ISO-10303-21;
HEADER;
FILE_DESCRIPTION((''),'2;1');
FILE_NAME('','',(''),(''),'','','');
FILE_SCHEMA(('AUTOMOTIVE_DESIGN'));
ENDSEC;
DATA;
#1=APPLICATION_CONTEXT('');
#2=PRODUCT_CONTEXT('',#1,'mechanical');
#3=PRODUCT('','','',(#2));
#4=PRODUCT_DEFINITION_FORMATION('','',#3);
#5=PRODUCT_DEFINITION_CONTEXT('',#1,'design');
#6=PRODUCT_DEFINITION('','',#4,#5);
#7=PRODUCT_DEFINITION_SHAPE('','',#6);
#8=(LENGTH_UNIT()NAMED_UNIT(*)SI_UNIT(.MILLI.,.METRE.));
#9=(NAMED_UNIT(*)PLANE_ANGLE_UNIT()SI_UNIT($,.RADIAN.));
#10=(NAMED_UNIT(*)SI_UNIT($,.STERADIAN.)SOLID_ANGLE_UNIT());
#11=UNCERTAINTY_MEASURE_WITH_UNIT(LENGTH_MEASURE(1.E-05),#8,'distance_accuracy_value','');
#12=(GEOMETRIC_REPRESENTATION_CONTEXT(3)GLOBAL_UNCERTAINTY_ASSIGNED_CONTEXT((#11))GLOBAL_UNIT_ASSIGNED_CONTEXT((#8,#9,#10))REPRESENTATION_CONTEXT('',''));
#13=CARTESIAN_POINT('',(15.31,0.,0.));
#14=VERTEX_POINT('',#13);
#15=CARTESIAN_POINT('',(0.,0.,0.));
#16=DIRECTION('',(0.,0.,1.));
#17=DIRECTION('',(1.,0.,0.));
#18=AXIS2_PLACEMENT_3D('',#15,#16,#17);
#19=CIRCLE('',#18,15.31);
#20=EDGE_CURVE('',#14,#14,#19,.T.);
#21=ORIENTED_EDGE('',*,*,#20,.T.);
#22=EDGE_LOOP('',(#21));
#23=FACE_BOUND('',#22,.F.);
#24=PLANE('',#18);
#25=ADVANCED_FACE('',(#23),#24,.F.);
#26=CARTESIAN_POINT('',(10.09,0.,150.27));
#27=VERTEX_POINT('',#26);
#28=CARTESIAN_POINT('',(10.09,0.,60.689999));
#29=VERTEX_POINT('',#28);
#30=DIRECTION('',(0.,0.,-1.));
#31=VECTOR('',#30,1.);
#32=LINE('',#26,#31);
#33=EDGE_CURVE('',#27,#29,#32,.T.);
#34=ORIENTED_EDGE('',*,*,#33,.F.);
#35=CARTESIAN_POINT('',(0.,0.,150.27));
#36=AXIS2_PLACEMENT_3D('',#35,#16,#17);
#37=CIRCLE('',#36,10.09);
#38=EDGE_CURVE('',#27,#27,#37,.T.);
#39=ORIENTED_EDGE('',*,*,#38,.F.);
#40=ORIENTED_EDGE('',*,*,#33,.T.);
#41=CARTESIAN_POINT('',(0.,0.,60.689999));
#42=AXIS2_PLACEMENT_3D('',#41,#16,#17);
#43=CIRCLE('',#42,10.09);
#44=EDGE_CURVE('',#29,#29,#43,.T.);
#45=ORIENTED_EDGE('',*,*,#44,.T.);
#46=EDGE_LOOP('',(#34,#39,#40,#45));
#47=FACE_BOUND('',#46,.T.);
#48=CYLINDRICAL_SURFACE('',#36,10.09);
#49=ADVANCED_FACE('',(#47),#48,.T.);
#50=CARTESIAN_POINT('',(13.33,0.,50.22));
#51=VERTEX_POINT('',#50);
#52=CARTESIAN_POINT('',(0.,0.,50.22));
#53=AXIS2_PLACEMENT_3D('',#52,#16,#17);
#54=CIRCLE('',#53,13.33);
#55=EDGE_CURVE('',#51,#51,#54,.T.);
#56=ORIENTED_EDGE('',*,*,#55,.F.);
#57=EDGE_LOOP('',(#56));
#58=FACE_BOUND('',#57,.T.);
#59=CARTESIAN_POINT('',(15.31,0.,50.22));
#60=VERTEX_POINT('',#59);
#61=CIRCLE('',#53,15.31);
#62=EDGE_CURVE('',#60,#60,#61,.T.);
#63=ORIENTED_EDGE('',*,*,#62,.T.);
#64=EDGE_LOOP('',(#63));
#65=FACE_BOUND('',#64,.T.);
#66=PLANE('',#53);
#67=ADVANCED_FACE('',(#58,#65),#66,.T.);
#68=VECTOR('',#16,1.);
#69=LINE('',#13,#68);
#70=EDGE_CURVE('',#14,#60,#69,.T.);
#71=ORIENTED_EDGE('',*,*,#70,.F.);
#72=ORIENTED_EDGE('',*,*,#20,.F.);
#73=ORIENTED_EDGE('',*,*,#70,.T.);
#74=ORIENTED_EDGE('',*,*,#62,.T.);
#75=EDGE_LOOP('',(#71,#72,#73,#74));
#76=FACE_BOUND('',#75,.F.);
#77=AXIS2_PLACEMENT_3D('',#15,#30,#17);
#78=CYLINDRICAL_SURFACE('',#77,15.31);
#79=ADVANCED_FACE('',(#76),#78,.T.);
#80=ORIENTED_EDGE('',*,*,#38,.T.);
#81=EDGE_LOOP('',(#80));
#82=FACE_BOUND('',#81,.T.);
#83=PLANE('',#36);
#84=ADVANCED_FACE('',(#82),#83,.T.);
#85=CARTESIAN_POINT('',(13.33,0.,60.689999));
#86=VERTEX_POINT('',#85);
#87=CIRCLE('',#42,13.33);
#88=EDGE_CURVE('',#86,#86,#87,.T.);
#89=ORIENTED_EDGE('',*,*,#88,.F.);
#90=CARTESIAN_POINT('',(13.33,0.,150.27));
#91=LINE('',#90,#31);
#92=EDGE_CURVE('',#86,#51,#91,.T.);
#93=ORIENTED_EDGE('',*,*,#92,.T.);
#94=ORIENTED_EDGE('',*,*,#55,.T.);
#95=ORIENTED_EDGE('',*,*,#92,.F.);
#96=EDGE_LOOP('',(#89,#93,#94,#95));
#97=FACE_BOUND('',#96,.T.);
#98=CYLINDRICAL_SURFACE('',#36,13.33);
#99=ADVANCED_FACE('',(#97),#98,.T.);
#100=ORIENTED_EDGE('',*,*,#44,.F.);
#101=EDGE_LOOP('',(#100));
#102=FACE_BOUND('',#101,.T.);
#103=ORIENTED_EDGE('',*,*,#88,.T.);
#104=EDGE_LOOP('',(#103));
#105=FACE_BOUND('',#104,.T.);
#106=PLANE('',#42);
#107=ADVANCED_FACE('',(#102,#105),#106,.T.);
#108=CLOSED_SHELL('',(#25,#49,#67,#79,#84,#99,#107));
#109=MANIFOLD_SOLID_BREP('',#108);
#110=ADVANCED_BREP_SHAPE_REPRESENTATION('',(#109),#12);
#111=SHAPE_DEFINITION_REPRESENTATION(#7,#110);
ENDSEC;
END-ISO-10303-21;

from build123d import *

# Parameters (mm, degrees)
F0_R     = 15.31
F1_DEPTH = 150.27
F2_R     = 15.31
F2_R_2   = 13.33
F3_DEPTH = 100.05
F4_R     = 13.33
F4_R_2   = 10.09
F5_DEPTH = 89.580001


with BuildPart() as f1:
    # F0 (on Top) → F1 (new body)
    with BuildSketch(Plane.XY):
        Circle(F0_R)
    extrude(amount=F1_DEPTH)

    # F2 (on face) → F3 (cut)
    with BuildSketch(Plane.XY.offset(150.27)):
        Circle(F2_R)
        Circle(F2_R_2, mode=Mode.SUBTRACT)
    extrude(amount=-F3_DEPTH, mode=Mode.SUBTRACT)

    # F4 (on face) → F5 (cut)
    with BuildSketch(Plane.XY.offset(150.27)):
        Circle(F4_R)
        Circle(F4_R_2, mode=Mode.SUBTRACT)
    extrude(amount=-F5_DEPTH, mode=Mode.SUBTRACT)


solid = f1.part
